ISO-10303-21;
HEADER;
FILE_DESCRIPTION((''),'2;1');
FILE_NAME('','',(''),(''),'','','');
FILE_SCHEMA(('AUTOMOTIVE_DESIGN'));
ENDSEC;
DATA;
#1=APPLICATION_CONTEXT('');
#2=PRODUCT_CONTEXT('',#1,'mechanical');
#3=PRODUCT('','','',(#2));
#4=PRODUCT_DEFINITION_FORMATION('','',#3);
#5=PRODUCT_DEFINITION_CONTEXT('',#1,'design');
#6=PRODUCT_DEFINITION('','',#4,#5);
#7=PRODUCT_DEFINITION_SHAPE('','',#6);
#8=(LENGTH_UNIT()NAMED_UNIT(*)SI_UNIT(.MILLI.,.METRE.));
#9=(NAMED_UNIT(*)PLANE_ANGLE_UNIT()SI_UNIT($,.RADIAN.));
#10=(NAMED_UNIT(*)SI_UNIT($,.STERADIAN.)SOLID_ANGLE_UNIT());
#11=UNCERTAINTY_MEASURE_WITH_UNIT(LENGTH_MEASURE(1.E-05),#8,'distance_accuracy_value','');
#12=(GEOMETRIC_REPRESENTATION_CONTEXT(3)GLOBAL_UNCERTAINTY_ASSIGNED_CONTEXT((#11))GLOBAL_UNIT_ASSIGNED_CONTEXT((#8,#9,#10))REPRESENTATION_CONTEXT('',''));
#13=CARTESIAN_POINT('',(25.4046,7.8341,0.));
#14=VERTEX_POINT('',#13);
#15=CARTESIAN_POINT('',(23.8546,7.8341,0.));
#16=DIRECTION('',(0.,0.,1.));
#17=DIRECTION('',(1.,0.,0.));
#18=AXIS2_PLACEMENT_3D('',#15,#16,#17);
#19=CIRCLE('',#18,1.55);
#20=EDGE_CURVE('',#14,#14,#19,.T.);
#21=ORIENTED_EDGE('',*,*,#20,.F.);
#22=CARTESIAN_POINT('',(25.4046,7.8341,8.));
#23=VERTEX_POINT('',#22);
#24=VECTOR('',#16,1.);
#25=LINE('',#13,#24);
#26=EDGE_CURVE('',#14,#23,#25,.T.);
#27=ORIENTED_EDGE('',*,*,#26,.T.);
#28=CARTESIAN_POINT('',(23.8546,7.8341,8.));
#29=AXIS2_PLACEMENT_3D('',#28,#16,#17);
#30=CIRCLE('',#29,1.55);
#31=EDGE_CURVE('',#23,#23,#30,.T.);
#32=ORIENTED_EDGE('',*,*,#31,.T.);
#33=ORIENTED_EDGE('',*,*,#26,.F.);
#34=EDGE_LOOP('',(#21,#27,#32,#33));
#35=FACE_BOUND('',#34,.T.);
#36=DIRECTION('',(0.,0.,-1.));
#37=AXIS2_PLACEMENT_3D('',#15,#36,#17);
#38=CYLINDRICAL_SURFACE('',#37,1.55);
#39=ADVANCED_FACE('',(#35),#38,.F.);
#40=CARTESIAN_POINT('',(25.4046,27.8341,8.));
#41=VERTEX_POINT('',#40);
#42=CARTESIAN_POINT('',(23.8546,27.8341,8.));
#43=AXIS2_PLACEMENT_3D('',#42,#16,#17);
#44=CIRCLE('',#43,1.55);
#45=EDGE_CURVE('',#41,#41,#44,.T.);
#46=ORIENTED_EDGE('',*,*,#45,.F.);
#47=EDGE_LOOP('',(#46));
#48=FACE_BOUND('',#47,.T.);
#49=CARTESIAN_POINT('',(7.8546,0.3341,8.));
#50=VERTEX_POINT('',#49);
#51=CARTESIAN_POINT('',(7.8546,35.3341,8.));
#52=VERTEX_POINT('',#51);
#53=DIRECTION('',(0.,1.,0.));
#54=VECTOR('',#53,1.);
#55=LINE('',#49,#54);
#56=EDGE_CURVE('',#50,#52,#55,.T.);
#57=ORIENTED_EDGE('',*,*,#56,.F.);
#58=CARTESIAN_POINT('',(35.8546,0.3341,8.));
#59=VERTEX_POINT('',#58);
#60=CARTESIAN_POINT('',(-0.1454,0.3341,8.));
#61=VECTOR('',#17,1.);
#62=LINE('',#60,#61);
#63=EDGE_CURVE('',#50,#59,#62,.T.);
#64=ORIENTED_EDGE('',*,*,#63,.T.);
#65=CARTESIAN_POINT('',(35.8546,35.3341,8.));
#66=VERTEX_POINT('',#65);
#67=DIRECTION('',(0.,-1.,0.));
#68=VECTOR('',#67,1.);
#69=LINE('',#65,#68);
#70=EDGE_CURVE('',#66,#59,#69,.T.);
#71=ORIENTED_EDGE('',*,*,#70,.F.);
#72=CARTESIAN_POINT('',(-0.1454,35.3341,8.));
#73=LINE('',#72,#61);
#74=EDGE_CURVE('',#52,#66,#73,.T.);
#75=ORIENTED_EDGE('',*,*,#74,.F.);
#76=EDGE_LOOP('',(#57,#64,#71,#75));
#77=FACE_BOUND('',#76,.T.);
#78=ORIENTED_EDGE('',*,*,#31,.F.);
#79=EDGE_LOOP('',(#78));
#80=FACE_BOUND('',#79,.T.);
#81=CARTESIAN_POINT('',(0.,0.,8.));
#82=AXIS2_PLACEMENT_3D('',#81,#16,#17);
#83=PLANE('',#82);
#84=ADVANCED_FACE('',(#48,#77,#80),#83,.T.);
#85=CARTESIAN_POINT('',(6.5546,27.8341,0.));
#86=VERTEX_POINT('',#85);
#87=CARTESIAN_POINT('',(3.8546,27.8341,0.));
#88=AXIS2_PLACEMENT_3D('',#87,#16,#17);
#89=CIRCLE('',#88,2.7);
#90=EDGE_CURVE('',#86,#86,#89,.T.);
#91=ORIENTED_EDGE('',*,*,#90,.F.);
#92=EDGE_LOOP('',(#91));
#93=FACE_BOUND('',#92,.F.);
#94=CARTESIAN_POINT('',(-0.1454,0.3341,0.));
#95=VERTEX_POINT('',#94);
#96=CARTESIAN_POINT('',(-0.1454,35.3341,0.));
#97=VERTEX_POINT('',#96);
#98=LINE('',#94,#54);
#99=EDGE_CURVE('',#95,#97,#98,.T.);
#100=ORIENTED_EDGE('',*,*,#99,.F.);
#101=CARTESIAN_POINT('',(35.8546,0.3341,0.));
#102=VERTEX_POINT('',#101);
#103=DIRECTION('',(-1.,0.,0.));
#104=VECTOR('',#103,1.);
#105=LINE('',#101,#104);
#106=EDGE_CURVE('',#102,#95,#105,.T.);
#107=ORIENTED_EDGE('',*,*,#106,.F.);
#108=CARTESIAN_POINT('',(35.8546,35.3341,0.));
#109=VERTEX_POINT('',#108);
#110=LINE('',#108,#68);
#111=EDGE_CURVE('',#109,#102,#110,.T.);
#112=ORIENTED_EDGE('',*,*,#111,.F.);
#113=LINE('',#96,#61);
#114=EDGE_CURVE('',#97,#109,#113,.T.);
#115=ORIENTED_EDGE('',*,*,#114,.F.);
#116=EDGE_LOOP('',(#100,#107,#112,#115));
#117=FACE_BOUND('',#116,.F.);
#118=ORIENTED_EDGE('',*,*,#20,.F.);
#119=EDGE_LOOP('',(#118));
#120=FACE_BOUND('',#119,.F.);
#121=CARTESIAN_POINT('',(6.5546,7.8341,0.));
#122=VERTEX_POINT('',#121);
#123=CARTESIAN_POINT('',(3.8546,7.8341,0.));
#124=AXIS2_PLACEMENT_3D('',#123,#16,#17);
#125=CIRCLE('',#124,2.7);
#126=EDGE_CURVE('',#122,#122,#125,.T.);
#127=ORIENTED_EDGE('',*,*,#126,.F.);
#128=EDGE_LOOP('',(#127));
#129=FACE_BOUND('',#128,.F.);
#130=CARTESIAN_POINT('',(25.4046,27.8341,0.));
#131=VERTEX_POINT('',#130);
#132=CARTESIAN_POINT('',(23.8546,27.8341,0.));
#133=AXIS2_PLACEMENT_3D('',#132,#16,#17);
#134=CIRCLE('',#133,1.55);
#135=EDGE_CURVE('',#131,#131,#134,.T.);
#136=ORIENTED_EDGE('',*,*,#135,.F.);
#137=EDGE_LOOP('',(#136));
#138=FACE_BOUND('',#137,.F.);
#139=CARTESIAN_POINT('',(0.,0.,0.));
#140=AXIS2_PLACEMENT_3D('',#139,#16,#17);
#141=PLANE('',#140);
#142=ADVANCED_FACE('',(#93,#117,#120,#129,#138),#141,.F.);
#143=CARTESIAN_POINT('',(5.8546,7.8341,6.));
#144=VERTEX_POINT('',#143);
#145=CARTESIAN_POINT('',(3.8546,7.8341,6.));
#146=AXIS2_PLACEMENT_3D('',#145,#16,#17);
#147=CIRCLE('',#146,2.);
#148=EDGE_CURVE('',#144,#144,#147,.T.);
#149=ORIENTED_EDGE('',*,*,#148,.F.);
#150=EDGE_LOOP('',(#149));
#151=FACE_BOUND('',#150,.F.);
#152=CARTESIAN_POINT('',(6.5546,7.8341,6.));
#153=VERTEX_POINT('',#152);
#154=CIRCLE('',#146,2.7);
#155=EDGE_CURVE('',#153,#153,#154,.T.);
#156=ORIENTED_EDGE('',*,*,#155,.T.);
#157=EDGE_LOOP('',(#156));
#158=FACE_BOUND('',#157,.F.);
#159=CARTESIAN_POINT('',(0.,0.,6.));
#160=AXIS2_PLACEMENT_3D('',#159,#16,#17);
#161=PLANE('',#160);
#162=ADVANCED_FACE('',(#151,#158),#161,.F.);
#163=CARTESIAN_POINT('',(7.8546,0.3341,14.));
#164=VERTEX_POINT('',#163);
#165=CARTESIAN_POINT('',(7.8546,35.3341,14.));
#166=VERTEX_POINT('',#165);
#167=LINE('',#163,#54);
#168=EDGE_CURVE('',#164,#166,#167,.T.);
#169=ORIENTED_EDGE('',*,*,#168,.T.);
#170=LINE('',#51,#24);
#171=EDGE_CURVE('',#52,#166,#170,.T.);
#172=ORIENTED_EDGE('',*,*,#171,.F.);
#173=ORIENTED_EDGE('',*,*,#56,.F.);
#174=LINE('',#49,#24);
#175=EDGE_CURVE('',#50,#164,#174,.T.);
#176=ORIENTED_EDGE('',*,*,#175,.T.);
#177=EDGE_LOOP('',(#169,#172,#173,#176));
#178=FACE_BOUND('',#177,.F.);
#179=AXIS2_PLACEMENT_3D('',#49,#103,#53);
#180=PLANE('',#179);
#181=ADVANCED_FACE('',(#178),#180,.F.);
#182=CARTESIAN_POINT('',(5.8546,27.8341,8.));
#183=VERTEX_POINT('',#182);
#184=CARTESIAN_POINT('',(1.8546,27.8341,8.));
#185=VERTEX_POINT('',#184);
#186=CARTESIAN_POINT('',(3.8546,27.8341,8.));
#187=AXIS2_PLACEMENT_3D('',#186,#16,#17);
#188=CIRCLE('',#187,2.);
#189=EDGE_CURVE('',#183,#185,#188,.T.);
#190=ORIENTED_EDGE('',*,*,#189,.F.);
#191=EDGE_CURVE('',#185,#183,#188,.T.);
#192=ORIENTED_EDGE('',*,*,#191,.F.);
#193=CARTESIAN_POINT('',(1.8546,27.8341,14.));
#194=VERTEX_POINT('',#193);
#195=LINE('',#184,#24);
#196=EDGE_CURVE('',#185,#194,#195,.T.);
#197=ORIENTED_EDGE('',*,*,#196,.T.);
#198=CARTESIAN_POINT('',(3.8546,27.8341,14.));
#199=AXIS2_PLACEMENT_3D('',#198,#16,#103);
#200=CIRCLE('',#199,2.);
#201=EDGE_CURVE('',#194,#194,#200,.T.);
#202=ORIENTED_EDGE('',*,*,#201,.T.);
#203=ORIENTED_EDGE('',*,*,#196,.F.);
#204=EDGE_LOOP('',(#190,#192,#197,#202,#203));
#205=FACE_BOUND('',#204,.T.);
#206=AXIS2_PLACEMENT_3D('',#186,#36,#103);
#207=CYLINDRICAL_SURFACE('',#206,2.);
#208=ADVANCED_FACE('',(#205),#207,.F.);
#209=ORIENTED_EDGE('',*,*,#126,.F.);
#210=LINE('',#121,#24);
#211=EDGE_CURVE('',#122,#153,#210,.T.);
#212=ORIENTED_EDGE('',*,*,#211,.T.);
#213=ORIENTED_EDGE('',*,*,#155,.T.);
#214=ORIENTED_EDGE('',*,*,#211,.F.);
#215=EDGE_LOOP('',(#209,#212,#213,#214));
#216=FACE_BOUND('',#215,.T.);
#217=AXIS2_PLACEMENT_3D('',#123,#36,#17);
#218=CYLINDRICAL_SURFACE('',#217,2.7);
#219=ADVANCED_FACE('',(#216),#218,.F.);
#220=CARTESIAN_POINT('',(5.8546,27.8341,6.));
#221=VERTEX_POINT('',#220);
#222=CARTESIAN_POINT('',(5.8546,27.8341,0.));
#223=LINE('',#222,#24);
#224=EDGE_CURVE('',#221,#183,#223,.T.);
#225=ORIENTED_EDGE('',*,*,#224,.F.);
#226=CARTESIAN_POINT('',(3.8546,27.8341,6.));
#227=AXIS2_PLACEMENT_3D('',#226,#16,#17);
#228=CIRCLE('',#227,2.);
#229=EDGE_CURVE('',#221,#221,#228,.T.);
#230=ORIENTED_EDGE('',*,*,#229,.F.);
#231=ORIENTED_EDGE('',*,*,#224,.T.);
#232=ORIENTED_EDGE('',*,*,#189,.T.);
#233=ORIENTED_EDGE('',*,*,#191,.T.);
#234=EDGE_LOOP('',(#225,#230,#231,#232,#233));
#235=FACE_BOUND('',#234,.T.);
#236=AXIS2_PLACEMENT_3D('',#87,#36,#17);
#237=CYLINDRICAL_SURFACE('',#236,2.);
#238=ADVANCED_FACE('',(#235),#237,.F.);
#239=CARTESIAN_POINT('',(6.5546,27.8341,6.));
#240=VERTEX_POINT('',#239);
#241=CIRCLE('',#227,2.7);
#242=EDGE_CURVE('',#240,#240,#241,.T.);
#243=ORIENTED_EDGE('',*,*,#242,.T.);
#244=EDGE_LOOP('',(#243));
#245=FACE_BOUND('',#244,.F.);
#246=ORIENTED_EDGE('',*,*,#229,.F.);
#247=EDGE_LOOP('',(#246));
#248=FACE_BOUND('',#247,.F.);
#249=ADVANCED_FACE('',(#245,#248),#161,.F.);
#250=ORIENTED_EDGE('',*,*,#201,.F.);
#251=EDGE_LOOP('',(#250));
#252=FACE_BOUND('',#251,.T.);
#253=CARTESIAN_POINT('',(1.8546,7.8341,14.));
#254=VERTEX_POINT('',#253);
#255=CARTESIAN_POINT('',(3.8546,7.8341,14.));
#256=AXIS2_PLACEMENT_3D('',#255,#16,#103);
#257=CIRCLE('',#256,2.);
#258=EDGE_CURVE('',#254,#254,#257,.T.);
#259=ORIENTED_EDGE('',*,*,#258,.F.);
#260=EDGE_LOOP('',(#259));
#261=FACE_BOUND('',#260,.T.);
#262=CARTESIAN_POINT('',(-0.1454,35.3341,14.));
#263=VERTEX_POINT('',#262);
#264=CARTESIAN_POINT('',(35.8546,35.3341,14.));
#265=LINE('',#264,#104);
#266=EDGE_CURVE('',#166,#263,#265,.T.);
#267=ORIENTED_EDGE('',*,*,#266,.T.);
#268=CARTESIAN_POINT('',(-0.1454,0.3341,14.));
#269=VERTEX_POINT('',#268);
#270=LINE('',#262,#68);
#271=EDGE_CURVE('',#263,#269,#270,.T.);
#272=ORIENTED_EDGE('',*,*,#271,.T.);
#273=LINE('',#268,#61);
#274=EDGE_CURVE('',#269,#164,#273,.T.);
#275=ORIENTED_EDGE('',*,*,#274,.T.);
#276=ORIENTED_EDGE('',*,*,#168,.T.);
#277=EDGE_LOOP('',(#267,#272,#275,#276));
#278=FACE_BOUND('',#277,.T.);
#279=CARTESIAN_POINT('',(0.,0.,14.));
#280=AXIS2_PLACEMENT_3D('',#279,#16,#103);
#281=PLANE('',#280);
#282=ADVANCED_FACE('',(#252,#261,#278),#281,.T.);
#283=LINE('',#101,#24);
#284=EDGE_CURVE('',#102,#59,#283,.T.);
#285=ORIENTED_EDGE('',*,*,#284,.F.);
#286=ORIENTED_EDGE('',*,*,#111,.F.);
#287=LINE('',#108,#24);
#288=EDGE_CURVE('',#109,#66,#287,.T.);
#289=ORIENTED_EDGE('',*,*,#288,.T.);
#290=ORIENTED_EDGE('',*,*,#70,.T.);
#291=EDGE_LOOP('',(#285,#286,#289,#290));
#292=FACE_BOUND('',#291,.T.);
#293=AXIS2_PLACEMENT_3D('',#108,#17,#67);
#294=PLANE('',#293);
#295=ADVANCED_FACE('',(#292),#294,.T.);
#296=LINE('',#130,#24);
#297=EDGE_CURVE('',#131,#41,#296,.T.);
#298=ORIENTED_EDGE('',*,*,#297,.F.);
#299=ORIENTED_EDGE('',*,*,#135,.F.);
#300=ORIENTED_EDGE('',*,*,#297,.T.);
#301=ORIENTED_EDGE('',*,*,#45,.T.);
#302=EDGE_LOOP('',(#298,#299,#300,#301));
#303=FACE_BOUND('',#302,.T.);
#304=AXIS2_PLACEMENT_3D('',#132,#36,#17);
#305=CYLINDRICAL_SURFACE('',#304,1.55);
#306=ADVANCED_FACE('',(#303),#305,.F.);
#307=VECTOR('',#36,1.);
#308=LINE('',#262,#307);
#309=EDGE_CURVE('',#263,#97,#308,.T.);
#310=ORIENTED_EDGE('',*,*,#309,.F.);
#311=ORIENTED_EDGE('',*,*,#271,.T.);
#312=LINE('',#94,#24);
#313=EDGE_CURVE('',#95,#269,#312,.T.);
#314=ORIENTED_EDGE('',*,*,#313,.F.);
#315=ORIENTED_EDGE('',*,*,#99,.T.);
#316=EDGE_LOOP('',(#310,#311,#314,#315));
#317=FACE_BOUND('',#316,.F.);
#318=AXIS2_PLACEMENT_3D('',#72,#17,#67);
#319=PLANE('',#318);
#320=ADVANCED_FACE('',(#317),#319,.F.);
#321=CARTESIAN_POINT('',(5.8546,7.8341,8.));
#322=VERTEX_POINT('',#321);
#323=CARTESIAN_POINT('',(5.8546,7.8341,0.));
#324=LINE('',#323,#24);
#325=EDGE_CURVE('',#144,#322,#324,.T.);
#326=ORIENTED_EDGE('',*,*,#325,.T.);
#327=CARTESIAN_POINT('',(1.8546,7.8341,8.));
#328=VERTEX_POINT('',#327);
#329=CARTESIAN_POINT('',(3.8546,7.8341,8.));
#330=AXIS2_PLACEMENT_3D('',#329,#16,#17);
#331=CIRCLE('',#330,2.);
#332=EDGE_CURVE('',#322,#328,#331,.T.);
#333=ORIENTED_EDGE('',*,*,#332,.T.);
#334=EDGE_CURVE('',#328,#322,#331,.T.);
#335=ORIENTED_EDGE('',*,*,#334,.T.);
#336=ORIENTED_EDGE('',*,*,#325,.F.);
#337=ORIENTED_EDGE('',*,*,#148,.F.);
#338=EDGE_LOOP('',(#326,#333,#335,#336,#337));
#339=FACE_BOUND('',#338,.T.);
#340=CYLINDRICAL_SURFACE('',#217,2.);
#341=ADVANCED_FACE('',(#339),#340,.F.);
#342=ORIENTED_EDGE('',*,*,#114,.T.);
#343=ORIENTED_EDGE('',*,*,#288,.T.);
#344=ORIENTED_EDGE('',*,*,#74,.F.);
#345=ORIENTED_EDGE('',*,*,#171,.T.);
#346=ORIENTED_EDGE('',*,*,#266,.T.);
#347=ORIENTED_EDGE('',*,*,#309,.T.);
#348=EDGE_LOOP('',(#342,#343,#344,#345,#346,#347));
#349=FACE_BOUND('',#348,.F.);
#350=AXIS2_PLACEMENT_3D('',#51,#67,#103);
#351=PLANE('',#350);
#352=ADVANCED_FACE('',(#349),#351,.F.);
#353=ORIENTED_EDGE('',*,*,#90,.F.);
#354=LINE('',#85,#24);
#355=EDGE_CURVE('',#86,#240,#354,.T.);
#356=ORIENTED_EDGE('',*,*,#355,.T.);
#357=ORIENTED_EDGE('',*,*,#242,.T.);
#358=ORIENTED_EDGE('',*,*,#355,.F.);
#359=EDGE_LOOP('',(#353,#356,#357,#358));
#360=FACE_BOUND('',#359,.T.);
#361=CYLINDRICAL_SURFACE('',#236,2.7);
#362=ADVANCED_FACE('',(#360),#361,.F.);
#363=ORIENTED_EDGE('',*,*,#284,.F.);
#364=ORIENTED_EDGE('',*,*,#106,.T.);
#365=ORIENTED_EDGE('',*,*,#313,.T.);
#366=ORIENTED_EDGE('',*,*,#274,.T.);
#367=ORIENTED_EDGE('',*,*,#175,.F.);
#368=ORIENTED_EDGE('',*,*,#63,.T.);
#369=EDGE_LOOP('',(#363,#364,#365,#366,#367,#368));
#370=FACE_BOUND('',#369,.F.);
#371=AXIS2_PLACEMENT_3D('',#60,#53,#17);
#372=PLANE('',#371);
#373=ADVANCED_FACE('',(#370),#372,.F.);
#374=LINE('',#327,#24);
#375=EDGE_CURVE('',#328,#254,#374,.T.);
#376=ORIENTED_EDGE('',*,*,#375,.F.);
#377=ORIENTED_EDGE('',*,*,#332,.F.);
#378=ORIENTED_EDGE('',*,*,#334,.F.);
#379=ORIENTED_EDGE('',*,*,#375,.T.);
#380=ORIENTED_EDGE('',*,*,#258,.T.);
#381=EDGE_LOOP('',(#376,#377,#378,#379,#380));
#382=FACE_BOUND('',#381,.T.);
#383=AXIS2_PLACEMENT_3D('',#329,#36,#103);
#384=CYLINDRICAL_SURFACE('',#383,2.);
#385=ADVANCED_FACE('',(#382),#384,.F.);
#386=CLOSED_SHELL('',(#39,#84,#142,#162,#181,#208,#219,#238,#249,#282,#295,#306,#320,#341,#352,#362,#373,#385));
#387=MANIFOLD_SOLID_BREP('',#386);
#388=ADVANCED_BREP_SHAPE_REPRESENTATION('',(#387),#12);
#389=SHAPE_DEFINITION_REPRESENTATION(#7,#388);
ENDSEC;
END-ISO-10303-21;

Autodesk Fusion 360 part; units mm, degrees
sketch "Sketch2" plane through (0, 0, 0) normal (0, 0, 1) x (1, 0, 0)
  line L0 (-0.1454, 35.3341) -> (35.8546, 35.3341)
  line L1 (35.8546, 35.3341) -> (35.8546, 0.3341)
  line L2 (35.8546, 0.3341) -> (-0.1454, 0.3341)
  line L3 (-0.1454, 0.3341) -> (-0.1454, 35.3341)
  line L4 (-0.1454, 17.8341) -> (35.8546, 17.8341) construction
  line L5 (23.8546, 0.3341) -> (23.8546, 35.3341) construction
  circle A0 centre (23.8546, 27.8341) radius 1.55
  circle A1 centre (23.8546, 7.8341) radius 1.55
  line L6 (3.8546, 35.3341) -> (3.8546, 0.3341) construction
  circle A2 centre (3.8546, 27.8341) radius 2
  circle A3 centre (3.8546, 7.8341) radius 2
  circle A4 centre (3.8546, 27.8341) radius 2.7
  circle A5 centre (3.8546, 7.8341) radius 2.7
  line L7 (-0.1454, 0.3341) -> (7.8546, 0.3341)
  line L8 (7.8546, 35.4069) -> (-0.1454, 35.4069)
  line L9 (-0.1454, 35.4069) -> (-0.1454, 0.3341)
  dimension "d22" = 36
  dimension "d23" = 35
  dimension "d24" = 3.1
  dimension "d25" = 3.1
  dimension "d26" = 10
  dimension "d27" = 10
  dimension "d28" = 12
  dimension "d29" = 4
  dimension "d30" = 4
  dimension "d31" = 4
  dimension "d32" = 10
  dimension "d33" = 10
  dimension "d34" = 5.4
  dimension "d35" = 5.4
  dimension "d40" = 8
extrude "Extrude5" add sketch "Sketch2" along normal blind 8 contours L0 L1 L2 L3 L7 L9 | A4 | A5
extrude "Extrude6" cut sketch "Sketch2" along normal blind 6 contours A4 | A5
sketch "Sketch3" plane through (0, 0, 8) normal (0, 0, 1) x (-1, 0, 0)
  circle A0 centre (-23.8546, -7.8341) radius 1.55
  circle A1 centre (-3.8546, -7.8341) radius 2
  circle A2 centre (-23.8546, -27.8341) radius 1.55
  circle A3 centre (-3.8546, -27.8341) radius 2
  line L0 (0.1454, -0.3341) -> (-35.8546, -0.3341)
  line L1 (-35.8546, -0.3341) -> (-35.8546, -35.3341)
  line L2 (-35.8546, -35.3341) -> (0.1454, -35.3341)
  line L3 (0.1454, -35.3341) -> (0.1454, -0.3341)
  line L4 (0.1454, -0.3341) -> (-7.8546, -0.3341)
  line L5 (-7.8546, -0.3341) -> (-7.8546, -35.3341)
  line L6 (-7.8546, -35.3341) -> (0.1454, -35.3341)
  line L7 (0.1454, -35.3341) -> (0.1454, -0.3341)
  dimension "d45" = 8
  dimension "d46" = 35
extrude "Extrude9" add sketch "Sketch3" along normal blind 6 contours L0 L2 L3 L4 L5 L6 L7
